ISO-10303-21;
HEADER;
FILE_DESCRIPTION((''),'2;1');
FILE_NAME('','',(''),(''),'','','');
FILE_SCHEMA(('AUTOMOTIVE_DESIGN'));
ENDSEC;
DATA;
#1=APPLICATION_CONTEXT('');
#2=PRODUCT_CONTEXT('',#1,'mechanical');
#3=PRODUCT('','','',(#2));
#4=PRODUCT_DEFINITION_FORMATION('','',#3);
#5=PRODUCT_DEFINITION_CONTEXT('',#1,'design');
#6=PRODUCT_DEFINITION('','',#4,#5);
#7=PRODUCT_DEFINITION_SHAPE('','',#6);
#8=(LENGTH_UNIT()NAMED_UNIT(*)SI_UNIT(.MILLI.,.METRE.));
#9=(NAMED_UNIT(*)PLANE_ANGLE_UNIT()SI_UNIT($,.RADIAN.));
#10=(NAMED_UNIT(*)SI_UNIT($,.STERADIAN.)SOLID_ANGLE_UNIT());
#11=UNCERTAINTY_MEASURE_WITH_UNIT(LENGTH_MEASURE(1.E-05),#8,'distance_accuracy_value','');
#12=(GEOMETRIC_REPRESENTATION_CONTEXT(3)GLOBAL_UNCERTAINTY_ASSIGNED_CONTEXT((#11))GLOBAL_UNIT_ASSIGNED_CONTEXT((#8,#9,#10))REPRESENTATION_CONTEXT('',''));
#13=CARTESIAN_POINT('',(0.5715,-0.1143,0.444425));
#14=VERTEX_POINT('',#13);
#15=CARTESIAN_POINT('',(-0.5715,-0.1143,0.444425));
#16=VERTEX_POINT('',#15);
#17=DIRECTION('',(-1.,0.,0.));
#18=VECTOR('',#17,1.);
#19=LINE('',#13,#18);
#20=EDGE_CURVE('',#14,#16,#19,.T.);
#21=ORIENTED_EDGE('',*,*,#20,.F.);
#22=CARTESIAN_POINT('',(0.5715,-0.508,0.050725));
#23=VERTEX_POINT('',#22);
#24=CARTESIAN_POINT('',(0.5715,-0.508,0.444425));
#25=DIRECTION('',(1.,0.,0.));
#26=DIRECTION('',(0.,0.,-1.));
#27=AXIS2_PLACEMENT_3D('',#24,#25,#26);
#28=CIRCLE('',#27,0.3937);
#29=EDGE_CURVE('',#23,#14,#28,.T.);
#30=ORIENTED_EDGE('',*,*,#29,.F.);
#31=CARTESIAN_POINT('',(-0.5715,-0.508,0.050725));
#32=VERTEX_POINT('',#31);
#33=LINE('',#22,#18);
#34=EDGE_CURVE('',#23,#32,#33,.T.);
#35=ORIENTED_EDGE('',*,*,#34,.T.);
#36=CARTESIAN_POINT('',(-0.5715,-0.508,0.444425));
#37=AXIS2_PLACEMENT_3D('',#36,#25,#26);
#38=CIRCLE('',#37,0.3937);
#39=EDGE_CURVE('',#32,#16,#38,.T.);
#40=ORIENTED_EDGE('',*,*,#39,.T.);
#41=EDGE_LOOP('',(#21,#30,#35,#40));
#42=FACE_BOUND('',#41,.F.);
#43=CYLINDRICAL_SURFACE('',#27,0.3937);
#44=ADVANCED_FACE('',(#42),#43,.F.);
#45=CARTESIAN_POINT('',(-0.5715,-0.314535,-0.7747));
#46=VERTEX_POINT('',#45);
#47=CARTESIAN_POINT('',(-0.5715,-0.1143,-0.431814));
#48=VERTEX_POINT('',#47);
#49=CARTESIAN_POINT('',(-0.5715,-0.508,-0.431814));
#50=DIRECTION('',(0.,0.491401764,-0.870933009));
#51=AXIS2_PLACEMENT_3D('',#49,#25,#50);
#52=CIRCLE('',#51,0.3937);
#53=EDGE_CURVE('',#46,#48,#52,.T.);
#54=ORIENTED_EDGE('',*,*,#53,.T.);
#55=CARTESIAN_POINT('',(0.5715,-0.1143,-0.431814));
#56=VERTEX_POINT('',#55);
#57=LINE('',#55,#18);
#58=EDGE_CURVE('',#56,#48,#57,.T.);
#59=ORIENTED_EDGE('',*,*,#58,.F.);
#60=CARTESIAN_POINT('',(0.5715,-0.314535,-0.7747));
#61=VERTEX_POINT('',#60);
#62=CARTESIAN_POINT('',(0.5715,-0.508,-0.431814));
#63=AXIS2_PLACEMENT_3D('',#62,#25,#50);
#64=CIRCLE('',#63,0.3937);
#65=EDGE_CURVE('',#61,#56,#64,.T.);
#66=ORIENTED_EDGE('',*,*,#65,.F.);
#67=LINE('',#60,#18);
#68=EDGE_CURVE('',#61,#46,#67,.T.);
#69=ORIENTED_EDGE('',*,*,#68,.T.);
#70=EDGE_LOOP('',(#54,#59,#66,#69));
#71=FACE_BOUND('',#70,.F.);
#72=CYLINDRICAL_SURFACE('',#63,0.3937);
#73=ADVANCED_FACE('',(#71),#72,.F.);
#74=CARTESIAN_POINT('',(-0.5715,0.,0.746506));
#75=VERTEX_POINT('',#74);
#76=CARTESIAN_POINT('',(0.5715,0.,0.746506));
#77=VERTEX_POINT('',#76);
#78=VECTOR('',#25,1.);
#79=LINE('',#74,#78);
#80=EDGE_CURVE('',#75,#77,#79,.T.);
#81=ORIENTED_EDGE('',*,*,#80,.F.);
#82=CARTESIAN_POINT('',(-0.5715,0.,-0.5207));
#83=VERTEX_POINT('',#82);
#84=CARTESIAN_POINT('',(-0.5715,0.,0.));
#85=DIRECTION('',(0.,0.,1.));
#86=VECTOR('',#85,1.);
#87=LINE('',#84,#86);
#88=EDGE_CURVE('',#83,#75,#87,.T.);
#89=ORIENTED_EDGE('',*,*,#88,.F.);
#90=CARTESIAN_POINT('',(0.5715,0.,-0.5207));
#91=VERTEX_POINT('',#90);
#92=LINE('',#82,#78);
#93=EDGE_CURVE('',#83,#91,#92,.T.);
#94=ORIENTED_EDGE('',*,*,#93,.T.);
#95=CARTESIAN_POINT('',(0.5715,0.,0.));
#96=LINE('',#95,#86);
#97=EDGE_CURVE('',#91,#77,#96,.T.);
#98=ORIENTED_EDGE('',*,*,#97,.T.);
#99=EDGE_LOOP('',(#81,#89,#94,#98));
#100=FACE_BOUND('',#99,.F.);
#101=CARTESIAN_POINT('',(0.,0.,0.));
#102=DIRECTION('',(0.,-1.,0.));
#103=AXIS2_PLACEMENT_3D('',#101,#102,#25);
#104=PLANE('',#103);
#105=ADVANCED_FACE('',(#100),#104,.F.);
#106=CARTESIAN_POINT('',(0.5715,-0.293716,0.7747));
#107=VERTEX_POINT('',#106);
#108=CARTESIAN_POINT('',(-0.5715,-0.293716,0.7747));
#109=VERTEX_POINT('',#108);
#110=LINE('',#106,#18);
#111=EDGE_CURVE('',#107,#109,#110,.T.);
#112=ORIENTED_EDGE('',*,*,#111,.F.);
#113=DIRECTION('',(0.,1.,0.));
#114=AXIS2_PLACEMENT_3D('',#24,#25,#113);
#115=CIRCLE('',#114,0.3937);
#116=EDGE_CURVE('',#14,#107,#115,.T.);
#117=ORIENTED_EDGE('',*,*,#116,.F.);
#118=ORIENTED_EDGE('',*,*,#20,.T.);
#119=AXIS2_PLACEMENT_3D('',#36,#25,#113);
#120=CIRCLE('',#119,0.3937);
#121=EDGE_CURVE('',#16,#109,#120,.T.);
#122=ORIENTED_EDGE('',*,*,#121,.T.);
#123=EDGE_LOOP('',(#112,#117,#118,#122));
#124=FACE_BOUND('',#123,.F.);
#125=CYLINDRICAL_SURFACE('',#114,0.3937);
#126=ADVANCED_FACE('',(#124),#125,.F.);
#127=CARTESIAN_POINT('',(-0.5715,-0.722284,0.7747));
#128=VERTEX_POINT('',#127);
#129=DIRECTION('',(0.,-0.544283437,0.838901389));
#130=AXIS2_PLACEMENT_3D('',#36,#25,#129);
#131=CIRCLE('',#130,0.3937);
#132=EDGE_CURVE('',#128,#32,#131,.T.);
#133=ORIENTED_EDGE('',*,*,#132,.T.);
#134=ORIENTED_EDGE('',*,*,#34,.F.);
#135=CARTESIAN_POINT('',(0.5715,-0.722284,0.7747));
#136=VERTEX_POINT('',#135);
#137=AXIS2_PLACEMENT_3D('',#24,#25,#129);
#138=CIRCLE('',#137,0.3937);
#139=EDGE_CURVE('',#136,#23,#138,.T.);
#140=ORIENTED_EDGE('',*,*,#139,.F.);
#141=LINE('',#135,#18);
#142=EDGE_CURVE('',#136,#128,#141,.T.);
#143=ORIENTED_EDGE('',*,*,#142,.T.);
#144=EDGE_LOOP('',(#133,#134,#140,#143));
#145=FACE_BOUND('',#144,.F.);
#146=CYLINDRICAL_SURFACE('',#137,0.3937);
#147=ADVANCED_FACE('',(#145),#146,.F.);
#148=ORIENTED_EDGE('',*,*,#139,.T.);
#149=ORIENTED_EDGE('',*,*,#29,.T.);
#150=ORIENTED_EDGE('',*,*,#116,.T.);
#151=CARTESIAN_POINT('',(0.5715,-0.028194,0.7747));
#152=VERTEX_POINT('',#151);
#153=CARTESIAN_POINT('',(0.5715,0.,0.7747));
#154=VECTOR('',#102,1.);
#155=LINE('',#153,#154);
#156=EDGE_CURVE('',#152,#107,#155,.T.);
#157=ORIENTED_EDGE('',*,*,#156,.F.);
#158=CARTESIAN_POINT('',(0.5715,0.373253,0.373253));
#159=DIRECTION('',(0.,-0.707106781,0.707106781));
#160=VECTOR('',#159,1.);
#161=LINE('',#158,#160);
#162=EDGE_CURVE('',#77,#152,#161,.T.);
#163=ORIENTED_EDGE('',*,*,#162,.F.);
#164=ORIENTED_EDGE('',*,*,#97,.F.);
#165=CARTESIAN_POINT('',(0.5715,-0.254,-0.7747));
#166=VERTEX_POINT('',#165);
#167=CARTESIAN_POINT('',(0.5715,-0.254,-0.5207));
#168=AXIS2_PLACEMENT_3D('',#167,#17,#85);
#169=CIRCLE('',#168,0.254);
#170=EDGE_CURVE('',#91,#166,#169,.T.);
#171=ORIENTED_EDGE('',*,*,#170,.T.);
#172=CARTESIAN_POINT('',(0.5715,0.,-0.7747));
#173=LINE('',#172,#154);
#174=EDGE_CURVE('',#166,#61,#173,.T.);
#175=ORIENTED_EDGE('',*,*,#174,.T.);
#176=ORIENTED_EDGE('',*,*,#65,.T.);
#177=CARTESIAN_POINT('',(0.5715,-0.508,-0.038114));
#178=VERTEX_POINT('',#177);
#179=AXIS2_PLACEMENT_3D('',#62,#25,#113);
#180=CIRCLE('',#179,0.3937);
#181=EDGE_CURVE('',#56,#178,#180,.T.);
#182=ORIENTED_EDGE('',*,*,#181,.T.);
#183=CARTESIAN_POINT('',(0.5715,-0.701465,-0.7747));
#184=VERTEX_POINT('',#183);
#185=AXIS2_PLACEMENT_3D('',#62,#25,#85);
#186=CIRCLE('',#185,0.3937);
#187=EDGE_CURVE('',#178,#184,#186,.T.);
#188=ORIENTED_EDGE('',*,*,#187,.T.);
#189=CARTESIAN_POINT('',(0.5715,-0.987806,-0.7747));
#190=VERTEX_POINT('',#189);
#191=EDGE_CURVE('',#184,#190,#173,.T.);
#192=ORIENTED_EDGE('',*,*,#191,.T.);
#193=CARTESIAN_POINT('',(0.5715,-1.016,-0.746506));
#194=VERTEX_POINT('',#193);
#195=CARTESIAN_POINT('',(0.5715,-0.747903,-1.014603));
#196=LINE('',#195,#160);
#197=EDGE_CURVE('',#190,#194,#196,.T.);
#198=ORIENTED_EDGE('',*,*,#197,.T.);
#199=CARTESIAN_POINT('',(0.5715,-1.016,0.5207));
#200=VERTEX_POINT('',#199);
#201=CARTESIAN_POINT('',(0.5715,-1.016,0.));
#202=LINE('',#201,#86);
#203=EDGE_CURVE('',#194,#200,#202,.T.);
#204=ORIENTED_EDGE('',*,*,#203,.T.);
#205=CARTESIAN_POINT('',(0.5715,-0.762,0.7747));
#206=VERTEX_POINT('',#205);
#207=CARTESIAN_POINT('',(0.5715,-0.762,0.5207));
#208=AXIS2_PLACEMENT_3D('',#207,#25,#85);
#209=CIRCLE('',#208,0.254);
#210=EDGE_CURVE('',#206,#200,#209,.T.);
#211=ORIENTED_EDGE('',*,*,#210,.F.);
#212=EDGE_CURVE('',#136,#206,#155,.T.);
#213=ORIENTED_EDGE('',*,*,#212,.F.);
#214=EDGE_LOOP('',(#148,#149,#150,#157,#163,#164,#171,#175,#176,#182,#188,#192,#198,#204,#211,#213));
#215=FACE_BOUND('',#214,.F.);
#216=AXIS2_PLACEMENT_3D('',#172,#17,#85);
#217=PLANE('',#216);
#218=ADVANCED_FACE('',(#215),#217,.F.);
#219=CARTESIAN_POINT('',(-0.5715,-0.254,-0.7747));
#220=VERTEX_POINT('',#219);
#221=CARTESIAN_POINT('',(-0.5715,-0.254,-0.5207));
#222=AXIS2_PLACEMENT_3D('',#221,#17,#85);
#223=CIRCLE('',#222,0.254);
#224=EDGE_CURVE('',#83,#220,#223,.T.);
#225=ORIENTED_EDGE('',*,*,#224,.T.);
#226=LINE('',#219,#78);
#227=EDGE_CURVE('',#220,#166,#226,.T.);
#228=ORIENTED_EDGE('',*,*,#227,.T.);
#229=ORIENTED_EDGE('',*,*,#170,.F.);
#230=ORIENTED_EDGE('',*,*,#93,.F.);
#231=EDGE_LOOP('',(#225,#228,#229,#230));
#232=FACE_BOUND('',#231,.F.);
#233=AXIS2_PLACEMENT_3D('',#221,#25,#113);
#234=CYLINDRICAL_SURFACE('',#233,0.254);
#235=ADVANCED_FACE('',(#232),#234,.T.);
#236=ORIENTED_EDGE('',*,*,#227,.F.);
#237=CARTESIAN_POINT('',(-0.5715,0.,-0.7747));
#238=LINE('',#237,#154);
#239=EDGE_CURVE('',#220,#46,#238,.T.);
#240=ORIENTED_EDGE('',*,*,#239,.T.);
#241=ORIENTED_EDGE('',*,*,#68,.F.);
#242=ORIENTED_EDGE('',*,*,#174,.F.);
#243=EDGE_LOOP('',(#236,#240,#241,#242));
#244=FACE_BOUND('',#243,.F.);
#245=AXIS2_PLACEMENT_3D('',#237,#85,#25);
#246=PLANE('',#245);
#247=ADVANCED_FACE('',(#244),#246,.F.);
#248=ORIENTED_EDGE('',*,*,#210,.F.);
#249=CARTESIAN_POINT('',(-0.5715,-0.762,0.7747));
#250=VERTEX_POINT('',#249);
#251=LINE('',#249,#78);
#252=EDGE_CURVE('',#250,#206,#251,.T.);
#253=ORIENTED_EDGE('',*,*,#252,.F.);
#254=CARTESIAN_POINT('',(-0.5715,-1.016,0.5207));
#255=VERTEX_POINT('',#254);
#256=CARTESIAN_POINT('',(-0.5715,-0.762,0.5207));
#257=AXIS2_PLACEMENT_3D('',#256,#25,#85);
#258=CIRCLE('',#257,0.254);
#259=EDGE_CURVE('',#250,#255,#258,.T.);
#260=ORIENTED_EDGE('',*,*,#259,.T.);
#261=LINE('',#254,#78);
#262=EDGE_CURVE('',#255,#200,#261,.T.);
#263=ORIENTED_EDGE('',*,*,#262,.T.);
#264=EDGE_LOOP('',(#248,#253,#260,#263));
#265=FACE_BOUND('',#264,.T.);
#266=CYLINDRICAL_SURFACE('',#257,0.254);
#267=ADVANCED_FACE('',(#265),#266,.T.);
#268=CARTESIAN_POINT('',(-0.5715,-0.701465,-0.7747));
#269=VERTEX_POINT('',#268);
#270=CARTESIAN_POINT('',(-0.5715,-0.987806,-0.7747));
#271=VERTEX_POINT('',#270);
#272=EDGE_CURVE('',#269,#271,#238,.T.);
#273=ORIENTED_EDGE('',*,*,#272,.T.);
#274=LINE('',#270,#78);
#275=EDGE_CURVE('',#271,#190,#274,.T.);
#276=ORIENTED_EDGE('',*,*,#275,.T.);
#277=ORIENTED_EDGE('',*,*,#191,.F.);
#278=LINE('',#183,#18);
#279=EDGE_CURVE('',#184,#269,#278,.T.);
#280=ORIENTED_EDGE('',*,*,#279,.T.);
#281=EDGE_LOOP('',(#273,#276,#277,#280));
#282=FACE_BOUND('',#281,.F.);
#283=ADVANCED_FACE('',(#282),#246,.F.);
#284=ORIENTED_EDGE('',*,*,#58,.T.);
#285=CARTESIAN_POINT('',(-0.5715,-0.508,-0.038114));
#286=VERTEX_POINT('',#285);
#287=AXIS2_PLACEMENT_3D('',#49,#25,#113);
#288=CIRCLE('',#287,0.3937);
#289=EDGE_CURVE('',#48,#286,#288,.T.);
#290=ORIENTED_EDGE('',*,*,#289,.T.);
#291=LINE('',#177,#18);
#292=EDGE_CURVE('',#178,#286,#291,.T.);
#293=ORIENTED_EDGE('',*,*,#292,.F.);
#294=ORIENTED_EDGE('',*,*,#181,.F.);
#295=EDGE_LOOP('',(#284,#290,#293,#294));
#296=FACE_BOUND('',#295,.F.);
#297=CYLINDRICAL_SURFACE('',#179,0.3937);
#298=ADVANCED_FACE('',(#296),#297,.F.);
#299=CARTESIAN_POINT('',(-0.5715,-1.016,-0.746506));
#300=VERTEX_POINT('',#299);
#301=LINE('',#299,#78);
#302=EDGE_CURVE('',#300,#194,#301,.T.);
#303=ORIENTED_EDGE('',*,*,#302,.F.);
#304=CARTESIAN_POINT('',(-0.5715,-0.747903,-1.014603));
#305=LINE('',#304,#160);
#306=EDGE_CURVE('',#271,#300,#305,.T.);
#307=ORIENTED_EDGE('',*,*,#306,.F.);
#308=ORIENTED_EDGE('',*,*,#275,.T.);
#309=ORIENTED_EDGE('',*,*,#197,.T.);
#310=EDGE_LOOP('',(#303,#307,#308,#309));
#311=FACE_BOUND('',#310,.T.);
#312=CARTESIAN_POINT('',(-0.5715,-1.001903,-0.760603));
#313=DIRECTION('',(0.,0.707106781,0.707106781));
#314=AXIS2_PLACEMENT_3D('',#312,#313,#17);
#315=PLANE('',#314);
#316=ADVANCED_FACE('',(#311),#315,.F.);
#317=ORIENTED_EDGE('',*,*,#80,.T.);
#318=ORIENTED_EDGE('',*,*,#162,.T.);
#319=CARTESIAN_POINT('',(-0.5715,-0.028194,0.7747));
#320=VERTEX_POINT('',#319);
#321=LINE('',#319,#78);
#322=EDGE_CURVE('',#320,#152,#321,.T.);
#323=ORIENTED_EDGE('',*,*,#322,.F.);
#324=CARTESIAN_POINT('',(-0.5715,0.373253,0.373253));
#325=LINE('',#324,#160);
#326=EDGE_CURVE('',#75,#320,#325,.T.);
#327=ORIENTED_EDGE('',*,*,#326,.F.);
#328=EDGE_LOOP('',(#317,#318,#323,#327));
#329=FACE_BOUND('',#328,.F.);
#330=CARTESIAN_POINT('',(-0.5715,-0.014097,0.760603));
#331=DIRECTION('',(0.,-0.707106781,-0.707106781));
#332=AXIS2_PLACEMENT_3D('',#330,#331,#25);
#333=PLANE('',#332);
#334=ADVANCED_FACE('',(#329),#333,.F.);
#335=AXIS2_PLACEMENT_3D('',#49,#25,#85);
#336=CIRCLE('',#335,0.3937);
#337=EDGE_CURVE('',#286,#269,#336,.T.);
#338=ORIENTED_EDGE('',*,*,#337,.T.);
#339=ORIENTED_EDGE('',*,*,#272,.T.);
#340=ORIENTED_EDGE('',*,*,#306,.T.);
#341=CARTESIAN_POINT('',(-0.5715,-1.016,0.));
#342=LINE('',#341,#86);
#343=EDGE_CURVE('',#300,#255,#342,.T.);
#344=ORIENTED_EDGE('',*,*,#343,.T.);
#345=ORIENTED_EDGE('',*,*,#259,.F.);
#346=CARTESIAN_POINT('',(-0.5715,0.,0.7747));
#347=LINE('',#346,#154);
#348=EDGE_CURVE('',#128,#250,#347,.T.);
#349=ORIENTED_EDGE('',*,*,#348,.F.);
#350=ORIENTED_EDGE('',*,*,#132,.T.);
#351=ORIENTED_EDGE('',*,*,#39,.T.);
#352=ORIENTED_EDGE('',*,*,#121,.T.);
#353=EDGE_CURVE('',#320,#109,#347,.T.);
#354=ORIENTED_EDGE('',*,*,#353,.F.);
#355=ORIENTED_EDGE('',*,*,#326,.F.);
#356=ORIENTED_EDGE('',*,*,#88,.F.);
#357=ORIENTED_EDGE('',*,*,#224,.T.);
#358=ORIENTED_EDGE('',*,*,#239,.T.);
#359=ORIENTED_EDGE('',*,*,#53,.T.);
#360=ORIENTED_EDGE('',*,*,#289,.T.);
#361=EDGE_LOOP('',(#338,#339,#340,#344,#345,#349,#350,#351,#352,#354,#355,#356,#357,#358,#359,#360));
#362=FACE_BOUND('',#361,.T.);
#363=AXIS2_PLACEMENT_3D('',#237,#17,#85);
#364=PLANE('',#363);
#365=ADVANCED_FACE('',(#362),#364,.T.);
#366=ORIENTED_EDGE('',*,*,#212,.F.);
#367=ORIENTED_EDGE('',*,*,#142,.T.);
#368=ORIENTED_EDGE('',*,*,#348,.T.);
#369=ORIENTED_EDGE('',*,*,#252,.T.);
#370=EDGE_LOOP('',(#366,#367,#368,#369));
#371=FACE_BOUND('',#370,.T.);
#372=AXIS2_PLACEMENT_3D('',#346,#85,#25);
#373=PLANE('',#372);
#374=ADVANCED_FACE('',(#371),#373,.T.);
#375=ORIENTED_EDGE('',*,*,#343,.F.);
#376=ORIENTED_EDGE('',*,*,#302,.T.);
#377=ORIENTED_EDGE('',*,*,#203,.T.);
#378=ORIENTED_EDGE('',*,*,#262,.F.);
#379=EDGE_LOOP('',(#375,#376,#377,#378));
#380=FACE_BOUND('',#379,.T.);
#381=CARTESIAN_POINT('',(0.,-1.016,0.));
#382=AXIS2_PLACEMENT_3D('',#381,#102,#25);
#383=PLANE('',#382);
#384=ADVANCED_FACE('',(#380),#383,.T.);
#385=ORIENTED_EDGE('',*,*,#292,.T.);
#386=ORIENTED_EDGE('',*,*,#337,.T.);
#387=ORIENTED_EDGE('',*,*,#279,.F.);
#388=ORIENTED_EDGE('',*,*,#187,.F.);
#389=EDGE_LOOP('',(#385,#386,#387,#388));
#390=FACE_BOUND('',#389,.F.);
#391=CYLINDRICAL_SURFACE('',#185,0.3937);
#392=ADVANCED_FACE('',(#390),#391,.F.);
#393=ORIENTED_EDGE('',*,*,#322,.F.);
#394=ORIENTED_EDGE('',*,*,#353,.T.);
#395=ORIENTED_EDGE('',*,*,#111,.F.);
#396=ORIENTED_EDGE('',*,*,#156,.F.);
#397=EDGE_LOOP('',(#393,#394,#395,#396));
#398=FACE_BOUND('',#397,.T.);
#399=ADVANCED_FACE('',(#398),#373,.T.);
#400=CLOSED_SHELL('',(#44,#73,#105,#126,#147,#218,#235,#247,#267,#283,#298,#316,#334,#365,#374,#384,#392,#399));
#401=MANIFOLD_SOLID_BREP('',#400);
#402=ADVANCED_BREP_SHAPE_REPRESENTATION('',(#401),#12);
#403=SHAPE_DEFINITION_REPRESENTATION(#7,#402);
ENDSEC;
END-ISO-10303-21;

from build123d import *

# Parameters (mm, degrees)
F0_W     = 1.143
F0_H     = 1.5494
F1_DEPTH = 1.016
F3_DEPTH = 25.4
F4_R     = 0.254
F5_R     = 0.254
F6_SIZE  = 0.028194


with BuildPart() as f1:
    # F0 (on Front) → F1 (new body)
    with BuildSketch(Plane.XZ):
        Rectangle(F0_W, F0_H)
    extrude(amount=F1_DEPTH)

    # F2 (on face) → F3 (cut)
    with BuildSketch(Plane.YZ.offset(0.5715)):
        with BuildLine():
            Line((-0.508, 0.0507245232), (-0.508, 0.7747))
            Line((-0.508, 0.7747), (-0.7222843892, 0.7747))
            ThreePointArc((-0.7222843892, 0.7747), (-0.8855110232, 0.3326877012), (-0.508, 0.0507245232))
        make_face()
        with BuildLine():
            Line((-0.508, -0.7747), (-0.508, -0.0381136742))
            ThreePointArc((-0.508, -0.0381136742), (-0.88878474, -0.3318003163), (-0.7014648743, -0.7747))
            Line((-0.7014648743, -0.7747), (-0.508, -0.7747))
        make_face()
        with BuildLine():
            ThreePointArc((-0.1143, -0.4318136742), (-0.2296120602, -0.1534257344), (-0.508, -0.0381136742))
            Line((-0.508, -0.0381136742), (-0.508, -0.7747))
            Line((-0.508, -0.7747), (-0.3145351257, -0.7747))
            ThreePointArc((-0.3145351257, -0.7747), (-0.1680244046, -0.6303490224), (-0.1143, -0.4318136742))
        make_face()
        with BuildLine():
            Line((-0.2937156108, 0.7747), (-0.508, 0.7747))
            Line((-0.508, 0.7747), (-0.508, 0.0507245232))
            ThreePointArc((-0.508, 0.0507245232), (-0.2296120602, 0.1660365835), (-0.1143, 0.4444245232))
            ThreePointArc((-0.1143, 0.4444245232), (-0.162049531, 0.6323552631), (-0.2937156108, 0.7747))
        make_face()
    extrude(amount=-F3_DEPTH, mode=Mode.SUBTRACT)

    # F4
    f4_edges = [f1.edges().sort_by_distance(p)[0] for p in [
        (0, -1.016, 0.7747),
    ]]
    fillet(f4_edges, radius=F4_R)

    # F5
    f5_edges = [f1.edges().sort_by_distance(p)[0] for p in [
        (0, 0, -0.7747),
    ]]
    fillet(f5_edges, radius=F5_R)

    # F6
    f6_edges = [f1.edges().sort_by_distance(p)[0] for p in [
        (0, 0, 0.7747),
        (0, -1.016, -0.7747),
    ]]
    chamfer(f6_edges, length=F6_SIZE)


solid = f1.part
